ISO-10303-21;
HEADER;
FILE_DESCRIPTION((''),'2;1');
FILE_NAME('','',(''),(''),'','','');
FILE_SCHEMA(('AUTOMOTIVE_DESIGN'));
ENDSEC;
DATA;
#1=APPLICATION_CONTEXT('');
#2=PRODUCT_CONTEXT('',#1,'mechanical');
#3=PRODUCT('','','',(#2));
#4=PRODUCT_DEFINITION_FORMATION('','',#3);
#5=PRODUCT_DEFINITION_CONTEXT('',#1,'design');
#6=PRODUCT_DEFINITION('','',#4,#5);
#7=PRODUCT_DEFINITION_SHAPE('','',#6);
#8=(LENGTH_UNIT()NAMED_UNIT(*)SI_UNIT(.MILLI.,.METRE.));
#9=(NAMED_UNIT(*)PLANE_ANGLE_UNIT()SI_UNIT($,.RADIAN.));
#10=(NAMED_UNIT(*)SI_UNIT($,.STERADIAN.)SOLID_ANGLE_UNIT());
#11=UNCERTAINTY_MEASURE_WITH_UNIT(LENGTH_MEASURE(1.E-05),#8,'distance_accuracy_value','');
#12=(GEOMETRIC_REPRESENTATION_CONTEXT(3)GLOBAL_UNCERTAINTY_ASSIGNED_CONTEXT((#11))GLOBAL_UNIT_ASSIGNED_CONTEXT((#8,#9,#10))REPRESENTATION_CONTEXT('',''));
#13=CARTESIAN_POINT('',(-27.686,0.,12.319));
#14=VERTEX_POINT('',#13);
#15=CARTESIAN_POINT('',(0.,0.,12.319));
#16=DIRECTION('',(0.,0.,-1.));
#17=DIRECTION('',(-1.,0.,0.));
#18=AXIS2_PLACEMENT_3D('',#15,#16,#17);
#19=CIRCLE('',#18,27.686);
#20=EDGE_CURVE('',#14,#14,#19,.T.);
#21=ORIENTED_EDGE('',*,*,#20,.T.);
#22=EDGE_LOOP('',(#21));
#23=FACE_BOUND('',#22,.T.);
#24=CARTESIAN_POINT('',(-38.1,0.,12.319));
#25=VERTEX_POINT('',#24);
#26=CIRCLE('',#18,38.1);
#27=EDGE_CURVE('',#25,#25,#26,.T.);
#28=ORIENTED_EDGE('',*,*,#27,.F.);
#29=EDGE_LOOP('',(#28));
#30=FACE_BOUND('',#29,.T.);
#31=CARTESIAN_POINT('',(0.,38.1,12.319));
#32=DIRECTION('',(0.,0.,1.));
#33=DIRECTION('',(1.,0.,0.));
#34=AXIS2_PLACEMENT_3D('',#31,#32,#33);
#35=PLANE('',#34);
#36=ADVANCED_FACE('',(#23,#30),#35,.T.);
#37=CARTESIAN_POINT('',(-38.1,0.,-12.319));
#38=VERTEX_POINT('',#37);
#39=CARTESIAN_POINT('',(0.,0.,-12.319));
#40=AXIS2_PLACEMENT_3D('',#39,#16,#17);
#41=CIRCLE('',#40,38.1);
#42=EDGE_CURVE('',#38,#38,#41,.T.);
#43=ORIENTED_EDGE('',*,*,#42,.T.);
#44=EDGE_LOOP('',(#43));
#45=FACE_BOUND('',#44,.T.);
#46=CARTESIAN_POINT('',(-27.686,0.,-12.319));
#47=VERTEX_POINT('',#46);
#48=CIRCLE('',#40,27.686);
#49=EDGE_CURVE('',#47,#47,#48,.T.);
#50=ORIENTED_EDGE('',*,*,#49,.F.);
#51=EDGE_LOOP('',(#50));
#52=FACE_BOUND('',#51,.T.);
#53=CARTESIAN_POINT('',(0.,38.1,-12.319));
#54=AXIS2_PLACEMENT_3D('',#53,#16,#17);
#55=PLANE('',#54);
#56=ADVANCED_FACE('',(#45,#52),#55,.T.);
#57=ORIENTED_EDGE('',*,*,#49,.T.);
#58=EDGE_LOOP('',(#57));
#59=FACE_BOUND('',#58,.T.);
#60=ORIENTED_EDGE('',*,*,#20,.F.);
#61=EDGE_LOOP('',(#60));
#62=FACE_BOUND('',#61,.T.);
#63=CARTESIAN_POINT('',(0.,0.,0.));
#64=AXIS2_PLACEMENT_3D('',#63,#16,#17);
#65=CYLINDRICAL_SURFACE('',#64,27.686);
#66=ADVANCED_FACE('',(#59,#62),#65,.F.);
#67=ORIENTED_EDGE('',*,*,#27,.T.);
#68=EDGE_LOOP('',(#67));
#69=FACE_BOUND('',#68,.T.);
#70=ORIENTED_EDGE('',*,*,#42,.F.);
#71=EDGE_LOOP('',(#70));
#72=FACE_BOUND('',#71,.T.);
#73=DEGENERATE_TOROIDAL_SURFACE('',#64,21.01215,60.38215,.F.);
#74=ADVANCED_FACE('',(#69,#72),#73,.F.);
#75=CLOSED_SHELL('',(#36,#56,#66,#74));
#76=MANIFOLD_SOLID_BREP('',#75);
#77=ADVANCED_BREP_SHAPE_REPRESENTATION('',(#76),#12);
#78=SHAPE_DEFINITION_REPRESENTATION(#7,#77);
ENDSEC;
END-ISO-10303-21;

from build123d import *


with BuildPart() as part:
    # Sketch2 → Revolve1 (revolve)
    with BuildSketch(Plane(origin=(0, 0, 0), x_dir=(0, 0, -1), z_dir=(1, 0, 0))):
        with BuildLine():
            Line((-12.319, 38.1), (-12.319, 27.686))
            Line((-12.319, 27.686), (12.319, 27.686))
            Line((12.319, 27.686), (12.319, 38.1))
            ThreePointArc((12.319, 38.1), (0, 39.37), (-12.319, 38.1))
        make_face()
    revolve(axis=Axis((0, 0, 0), (0, 0, 1)))


solid = part.part
